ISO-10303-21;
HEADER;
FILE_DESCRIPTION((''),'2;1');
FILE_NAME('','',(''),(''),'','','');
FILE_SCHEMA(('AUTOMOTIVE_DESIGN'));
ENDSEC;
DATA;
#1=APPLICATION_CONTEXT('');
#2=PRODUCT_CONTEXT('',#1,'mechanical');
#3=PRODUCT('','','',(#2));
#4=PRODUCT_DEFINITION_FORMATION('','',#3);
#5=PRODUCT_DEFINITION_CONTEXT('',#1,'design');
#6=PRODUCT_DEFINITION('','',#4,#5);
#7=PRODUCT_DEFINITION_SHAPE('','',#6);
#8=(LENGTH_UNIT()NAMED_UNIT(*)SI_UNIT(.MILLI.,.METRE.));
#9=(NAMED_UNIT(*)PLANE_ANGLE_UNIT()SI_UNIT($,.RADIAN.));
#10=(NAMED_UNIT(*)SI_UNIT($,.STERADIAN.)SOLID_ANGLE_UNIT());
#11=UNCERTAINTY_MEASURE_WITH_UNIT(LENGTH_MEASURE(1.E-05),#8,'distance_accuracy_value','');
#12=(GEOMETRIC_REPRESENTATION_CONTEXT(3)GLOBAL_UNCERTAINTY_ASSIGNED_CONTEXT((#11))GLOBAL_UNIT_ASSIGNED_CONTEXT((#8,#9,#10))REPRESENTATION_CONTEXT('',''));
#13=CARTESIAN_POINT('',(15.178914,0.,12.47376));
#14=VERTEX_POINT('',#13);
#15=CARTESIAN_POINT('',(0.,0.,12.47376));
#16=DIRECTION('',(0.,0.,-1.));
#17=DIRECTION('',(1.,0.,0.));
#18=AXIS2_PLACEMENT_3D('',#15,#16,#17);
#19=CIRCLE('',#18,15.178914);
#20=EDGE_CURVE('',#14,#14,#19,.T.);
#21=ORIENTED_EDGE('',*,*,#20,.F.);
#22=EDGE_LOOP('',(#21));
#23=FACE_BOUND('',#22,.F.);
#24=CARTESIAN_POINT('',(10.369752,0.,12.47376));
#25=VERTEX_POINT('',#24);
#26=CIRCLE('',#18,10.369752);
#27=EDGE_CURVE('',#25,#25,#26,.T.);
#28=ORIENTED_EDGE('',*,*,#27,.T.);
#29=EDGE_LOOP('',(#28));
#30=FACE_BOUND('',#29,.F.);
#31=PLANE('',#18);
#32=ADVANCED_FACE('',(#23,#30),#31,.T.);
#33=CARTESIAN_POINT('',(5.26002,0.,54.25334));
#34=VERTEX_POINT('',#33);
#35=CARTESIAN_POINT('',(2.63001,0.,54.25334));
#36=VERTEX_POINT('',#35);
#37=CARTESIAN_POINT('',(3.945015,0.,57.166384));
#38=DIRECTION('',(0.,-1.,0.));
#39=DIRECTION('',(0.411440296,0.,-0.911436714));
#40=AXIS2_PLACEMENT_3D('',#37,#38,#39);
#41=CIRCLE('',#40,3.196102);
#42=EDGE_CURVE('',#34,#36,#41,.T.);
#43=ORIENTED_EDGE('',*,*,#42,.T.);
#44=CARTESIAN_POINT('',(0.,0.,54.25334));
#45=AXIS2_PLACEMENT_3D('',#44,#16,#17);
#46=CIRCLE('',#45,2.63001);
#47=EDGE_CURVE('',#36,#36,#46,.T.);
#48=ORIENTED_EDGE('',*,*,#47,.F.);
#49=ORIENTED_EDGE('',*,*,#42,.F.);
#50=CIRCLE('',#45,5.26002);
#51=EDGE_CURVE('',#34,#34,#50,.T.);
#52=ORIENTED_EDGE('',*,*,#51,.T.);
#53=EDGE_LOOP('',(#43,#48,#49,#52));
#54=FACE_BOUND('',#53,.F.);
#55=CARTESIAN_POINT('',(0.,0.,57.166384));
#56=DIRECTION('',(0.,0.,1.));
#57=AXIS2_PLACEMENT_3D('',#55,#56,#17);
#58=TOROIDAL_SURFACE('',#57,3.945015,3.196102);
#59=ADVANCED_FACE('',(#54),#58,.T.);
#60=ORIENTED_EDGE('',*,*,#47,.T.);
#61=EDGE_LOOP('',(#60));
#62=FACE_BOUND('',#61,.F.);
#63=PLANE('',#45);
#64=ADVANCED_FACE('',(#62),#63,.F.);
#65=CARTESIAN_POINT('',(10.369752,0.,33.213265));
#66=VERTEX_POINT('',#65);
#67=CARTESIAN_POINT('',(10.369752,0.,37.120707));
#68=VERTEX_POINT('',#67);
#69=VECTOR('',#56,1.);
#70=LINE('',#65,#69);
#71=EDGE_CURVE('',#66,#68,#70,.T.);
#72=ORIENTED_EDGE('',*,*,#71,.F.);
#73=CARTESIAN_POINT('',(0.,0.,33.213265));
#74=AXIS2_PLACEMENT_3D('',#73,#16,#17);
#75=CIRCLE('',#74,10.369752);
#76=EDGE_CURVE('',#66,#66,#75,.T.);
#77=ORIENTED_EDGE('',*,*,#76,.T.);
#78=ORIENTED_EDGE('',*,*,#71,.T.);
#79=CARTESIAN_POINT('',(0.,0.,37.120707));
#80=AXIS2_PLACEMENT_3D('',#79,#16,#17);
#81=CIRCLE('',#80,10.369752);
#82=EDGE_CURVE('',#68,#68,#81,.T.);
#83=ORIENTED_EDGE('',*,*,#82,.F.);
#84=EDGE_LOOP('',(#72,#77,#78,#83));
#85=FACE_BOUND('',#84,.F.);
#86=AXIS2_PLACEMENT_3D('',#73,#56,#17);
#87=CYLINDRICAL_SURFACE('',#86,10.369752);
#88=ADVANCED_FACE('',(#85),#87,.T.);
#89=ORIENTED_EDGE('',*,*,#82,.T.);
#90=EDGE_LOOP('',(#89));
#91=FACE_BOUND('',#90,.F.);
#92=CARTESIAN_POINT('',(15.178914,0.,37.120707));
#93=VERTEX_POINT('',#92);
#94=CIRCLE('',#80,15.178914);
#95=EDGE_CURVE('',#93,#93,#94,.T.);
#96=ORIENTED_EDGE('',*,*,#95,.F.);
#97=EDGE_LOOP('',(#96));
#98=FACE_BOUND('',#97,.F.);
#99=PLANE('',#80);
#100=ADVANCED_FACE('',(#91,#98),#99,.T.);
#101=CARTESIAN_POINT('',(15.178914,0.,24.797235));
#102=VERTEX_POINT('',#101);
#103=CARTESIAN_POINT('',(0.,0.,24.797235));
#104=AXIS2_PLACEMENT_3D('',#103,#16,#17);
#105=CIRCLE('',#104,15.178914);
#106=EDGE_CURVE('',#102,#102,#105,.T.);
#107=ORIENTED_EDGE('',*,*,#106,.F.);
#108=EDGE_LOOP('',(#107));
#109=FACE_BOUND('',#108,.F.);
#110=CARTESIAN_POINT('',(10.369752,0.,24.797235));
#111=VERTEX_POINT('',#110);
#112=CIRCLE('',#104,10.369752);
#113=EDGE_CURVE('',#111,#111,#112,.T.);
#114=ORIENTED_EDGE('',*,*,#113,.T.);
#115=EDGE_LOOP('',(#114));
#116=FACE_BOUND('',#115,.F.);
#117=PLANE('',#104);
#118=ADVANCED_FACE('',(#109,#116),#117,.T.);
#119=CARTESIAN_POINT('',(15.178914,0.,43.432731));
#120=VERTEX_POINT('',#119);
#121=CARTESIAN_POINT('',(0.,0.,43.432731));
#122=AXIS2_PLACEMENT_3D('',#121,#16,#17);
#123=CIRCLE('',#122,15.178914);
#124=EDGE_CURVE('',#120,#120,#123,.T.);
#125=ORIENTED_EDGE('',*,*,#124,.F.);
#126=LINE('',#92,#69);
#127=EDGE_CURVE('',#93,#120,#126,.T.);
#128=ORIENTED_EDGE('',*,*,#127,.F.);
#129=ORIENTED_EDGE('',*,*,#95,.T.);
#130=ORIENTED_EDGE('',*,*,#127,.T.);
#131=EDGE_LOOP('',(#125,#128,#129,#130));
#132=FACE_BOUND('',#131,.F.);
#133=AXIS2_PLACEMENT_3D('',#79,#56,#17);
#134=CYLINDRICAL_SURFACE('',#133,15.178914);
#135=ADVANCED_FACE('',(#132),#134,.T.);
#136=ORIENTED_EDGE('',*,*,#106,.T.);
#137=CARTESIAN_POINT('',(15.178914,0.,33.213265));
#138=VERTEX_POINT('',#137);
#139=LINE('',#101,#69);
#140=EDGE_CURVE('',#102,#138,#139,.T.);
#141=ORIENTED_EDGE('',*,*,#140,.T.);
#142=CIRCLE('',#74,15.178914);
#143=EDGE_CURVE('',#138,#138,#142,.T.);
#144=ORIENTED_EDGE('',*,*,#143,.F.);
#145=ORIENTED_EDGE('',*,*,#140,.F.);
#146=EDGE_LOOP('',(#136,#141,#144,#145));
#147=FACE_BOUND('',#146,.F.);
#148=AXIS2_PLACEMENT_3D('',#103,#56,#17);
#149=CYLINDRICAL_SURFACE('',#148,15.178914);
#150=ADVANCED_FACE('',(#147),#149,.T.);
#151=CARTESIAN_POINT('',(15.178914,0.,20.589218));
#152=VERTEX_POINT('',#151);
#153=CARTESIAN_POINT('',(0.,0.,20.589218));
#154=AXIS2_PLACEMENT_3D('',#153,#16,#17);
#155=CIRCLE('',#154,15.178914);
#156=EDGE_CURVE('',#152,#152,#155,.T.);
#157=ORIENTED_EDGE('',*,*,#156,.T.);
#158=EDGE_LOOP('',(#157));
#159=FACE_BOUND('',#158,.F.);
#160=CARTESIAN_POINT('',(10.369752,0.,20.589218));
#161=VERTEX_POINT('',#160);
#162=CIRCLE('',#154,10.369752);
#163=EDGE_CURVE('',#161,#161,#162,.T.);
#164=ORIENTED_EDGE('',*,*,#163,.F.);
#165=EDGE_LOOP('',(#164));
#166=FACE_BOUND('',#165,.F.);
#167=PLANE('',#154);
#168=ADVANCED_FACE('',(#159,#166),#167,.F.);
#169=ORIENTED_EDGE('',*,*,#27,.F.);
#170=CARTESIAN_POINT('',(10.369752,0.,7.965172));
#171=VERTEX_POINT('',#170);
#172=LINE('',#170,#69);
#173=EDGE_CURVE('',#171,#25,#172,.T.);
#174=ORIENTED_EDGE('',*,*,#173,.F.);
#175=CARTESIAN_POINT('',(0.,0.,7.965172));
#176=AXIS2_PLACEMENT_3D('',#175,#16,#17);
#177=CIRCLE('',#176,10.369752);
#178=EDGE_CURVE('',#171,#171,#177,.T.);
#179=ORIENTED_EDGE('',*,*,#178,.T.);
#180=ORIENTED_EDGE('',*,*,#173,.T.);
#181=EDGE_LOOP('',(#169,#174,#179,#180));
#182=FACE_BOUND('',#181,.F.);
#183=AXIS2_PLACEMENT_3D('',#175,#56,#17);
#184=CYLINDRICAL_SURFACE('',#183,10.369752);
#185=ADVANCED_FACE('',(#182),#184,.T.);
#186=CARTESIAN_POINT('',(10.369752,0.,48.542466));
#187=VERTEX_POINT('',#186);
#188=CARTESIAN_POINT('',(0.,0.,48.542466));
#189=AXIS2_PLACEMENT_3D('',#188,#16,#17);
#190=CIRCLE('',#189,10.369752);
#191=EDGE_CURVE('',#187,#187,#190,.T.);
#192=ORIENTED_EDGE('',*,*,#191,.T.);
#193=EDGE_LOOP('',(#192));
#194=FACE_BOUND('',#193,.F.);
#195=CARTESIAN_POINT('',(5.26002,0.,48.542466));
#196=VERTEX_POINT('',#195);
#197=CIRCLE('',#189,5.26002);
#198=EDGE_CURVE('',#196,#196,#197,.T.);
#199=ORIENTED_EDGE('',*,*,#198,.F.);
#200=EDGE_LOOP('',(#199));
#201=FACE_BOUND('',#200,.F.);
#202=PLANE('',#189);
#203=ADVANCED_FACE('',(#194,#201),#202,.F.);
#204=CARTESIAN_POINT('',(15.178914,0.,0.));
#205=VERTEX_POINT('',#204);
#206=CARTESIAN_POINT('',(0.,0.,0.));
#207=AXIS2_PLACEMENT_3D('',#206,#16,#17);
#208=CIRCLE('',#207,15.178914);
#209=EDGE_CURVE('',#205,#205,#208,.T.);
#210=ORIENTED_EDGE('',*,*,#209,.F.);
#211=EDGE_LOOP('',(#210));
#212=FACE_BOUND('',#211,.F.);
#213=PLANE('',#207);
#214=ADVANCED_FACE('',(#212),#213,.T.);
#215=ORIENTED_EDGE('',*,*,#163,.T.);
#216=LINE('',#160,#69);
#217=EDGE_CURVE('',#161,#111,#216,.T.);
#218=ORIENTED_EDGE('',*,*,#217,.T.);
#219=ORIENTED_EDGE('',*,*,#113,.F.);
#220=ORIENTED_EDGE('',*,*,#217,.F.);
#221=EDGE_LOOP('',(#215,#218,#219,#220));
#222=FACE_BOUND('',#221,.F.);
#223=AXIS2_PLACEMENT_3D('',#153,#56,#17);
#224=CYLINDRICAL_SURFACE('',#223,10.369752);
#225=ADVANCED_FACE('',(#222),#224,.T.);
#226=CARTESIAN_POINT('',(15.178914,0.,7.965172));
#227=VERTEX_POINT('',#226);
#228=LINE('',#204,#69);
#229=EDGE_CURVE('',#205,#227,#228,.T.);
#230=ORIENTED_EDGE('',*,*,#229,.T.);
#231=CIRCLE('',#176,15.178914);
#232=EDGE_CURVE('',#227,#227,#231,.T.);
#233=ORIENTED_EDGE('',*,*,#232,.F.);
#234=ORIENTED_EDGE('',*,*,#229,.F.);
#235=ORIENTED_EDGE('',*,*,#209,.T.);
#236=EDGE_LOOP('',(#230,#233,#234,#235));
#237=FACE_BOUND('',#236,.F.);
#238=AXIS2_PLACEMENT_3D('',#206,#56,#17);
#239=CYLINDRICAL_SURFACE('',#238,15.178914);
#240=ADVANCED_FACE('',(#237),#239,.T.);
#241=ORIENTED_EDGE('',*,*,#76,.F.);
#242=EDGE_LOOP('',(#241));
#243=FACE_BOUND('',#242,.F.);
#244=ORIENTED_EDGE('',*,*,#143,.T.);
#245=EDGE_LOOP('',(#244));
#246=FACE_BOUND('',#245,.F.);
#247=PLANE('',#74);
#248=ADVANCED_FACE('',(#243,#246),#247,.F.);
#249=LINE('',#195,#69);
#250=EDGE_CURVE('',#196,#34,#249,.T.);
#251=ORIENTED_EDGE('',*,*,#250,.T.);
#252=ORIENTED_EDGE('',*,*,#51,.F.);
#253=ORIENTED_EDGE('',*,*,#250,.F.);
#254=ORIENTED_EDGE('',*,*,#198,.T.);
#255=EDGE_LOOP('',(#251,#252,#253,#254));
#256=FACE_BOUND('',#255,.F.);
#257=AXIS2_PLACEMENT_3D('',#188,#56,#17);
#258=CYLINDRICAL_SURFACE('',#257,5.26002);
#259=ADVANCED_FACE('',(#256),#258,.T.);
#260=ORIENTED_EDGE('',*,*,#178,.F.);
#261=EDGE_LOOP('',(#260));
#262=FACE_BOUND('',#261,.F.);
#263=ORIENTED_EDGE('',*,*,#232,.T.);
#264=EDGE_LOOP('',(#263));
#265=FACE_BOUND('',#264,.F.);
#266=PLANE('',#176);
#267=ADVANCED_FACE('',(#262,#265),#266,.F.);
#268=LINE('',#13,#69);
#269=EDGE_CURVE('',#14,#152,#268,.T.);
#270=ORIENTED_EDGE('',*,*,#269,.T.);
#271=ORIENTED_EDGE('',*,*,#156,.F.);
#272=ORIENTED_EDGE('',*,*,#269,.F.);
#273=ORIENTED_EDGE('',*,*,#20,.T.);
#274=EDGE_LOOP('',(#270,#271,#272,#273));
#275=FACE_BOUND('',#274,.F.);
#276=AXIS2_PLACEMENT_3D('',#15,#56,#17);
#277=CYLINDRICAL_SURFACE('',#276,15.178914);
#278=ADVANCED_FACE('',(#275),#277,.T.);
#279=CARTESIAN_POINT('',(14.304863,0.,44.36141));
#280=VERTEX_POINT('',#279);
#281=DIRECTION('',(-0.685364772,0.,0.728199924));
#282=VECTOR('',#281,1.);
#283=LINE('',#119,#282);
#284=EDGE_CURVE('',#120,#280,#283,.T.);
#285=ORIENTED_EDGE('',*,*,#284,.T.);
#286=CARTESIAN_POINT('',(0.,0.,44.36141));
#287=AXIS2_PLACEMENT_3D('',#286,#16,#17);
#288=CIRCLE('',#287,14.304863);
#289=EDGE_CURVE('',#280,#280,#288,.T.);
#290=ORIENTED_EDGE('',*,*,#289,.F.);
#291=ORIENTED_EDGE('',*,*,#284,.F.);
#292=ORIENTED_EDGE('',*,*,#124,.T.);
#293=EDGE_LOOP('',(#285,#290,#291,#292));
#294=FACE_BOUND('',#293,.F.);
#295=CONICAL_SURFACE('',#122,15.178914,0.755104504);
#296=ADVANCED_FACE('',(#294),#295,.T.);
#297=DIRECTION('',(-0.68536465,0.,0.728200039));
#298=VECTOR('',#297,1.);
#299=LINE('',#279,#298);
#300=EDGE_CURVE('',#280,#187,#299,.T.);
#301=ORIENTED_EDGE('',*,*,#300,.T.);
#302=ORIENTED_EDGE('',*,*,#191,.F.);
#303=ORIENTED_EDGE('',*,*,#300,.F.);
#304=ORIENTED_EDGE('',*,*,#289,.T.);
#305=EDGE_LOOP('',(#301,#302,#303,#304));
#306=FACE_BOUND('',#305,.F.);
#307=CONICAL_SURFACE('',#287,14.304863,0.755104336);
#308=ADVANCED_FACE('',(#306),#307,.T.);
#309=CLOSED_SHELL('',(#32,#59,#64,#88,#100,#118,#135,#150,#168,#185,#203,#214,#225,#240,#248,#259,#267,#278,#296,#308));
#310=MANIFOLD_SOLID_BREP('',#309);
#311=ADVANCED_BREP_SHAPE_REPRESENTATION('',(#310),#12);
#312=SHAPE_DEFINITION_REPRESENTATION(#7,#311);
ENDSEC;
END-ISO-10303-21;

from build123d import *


with BuildPart() as f1:
    # F0 (on Front) → F1 (revolve)
    with BuildSketch(Plane.XZ):
        Polygon((0, 54.25334), (0, 0), (15.178914, 0), (15.178914, 7.965172), (10.369752, 7.965172), (10.369752, 12.47376), (15.178914, 12.47376), (15.178914, 20.589218), (10.369752, 20.589218), (10.369752, 24.797235), (15.178914, 24.797235), (15.178914, 33.213265), (10.369752, 33.213265), (10.369752, 37.120707), (15.178914, 37.120707), (15.178914, 43.432731), (14.304863, 44.36141), (10.369752, 48.542466), (5.26002, 48.542466), (5.26002, 54.25334), (2.63001, 54.25334), align=None)
        with BuildLine():
            ThreePointArc((5.26002, 54.25334), (3.945015, 60.362486), (2.63001, 54.25334))
            Line((2.63001, 54.25334), (5.26002, 54.25334))
        make_face()
    revolve(axis=Axis((0, 0, 27.12667), (0, 0, -1)))


solid = f1.part
